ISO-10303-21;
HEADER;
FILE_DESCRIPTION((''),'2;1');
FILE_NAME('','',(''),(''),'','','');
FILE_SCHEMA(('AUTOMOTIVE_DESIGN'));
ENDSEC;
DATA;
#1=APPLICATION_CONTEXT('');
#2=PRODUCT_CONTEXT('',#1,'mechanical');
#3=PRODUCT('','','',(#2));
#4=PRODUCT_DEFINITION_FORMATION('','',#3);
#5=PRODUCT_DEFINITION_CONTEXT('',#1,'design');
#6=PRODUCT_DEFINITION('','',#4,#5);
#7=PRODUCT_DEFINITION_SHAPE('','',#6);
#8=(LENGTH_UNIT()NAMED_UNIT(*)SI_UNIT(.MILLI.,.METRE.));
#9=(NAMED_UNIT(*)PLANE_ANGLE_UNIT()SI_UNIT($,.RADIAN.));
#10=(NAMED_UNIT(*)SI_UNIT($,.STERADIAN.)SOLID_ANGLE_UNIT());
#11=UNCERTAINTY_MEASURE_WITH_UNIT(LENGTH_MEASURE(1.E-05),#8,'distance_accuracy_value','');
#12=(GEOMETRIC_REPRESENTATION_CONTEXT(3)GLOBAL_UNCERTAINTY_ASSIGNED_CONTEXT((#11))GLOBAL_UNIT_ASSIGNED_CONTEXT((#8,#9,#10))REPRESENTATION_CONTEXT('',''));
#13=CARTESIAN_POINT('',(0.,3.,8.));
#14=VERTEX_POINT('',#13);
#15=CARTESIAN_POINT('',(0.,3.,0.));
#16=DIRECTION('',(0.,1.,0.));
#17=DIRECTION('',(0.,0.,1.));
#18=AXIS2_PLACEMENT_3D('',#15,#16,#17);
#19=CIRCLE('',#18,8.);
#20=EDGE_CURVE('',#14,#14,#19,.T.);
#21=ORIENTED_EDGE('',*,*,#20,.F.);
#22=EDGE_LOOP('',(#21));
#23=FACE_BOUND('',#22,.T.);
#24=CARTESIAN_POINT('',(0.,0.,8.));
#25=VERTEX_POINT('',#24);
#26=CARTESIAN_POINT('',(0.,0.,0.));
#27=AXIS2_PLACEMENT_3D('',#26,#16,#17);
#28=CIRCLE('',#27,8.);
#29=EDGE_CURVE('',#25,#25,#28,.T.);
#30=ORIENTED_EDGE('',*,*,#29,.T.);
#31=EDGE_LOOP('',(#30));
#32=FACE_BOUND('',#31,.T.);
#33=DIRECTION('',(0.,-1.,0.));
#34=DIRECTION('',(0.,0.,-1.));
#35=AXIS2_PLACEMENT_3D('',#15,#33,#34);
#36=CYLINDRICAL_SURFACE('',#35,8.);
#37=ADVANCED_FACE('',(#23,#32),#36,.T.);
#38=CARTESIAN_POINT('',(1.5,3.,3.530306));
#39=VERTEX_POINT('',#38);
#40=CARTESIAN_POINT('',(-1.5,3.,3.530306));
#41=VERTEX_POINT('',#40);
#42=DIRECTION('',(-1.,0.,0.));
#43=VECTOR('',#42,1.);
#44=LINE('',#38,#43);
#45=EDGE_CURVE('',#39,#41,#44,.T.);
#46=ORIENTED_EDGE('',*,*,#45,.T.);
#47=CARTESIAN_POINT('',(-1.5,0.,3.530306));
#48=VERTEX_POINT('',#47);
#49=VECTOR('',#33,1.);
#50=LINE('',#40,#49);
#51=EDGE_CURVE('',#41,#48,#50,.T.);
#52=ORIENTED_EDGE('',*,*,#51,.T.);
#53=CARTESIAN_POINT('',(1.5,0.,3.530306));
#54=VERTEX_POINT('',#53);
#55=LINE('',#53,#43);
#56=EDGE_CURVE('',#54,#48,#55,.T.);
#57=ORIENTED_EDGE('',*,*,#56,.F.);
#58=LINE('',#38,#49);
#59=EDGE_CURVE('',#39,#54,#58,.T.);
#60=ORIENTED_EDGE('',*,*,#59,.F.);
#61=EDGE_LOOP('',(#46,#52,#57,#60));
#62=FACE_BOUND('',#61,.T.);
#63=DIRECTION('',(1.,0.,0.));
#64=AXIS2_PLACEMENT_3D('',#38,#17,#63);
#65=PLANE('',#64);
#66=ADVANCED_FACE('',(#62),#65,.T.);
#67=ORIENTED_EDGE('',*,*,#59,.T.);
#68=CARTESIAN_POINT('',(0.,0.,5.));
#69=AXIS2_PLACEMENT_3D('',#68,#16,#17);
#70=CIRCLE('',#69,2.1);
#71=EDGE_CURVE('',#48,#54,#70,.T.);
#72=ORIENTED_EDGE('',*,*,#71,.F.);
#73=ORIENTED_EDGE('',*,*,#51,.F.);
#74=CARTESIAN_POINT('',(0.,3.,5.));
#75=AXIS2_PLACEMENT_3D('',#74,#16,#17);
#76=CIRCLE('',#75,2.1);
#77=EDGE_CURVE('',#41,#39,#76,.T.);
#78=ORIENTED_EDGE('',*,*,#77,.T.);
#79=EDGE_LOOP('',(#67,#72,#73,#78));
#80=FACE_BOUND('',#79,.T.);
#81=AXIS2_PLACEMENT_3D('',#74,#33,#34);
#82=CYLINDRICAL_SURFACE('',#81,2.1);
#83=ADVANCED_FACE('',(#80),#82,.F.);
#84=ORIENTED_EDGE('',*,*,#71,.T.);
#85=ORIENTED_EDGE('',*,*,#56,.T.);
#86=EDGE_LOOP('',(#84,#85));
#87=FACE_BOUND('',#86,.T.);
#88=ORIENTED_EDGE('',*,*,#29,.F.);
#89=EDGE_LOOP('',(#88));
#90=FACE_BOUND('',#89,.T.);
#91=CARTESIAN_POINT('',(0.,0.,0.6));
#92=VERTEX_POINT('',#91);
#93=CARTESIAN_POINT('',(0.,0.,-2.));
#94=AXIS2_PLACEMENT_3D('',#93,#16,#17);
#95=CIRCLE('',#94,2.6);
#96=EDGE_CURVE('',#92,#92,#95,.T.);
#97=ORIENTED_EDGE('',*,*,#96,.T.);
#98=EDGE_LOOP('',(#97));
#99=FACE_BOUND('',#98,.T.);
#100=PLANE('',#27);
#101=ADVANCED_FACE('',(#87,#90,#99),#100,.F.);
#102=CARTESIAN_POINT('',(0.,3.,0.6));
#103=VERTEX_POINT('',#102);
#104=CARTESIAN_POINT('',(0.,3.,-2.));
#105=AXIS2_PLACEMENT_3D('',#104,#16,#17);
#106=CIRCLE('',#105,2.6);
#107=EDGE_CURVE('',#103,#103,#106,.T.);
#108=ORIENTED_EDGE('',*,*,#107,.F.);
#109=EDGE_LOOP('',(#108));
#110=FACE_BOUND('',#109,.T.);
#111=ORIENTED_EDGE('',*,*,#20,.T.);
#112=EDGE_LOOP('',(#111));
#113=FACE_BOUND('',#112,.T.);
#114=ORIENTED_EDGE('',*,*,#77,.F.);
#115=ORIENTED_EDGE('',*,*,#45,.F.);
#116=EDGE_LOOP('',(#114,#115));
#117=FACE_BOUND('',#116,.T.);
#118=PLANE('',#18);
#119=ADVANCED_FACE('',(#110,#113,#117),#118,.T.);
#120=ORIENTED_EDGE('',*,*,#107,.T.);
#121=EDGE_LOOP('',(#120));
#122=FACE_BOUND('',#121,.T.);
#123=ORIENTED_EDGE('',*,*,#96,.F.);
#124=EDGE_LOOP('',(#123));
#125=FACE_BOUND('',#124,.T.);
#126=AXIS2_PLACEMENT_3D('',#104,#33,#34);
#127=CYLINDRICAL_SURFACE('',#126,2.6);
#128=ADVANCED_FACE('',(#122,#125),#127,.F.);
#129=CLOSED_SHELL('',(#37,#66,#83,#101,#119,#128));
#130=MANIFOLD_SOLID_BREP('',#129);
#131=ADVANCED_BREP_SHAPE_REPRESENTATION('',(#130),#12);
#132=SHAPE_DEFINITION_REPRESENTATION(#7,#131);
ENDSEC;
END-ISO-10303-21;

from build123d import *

# Parameters (mm, degrees)
SKETCH1_R           = 8
SKETCH1_R_2         = 2.6
BOSS_EXTRUDE1_DEPTH = 3


with BuildPart() as part:
    # Sketch1 → Boss-Extrude1 (new body)
    with BuildSketch(Plane(origin=(0, 0, 0), x_dir=(1, 0, 0), z_dir=(0, 1, 0))):
        Circle(SKETCH1_R)
        with Locations((0, 2)):
            Circle(SKETCH1_R_2, mode=Mode.SUBTRACT)
        with BuildLine():
            Line((1.5, -3.530306154), (-1.5, -3.530306154))
            ThreePointArc((-1.5, -3.530306154), (0, -7.1), (1.5, -3.530306154))
        make_face(mode=Mode.SUBTRACT)
    extrude(amount=BOSS_EXTRUDE1_DEPTH)


solid = part.part
